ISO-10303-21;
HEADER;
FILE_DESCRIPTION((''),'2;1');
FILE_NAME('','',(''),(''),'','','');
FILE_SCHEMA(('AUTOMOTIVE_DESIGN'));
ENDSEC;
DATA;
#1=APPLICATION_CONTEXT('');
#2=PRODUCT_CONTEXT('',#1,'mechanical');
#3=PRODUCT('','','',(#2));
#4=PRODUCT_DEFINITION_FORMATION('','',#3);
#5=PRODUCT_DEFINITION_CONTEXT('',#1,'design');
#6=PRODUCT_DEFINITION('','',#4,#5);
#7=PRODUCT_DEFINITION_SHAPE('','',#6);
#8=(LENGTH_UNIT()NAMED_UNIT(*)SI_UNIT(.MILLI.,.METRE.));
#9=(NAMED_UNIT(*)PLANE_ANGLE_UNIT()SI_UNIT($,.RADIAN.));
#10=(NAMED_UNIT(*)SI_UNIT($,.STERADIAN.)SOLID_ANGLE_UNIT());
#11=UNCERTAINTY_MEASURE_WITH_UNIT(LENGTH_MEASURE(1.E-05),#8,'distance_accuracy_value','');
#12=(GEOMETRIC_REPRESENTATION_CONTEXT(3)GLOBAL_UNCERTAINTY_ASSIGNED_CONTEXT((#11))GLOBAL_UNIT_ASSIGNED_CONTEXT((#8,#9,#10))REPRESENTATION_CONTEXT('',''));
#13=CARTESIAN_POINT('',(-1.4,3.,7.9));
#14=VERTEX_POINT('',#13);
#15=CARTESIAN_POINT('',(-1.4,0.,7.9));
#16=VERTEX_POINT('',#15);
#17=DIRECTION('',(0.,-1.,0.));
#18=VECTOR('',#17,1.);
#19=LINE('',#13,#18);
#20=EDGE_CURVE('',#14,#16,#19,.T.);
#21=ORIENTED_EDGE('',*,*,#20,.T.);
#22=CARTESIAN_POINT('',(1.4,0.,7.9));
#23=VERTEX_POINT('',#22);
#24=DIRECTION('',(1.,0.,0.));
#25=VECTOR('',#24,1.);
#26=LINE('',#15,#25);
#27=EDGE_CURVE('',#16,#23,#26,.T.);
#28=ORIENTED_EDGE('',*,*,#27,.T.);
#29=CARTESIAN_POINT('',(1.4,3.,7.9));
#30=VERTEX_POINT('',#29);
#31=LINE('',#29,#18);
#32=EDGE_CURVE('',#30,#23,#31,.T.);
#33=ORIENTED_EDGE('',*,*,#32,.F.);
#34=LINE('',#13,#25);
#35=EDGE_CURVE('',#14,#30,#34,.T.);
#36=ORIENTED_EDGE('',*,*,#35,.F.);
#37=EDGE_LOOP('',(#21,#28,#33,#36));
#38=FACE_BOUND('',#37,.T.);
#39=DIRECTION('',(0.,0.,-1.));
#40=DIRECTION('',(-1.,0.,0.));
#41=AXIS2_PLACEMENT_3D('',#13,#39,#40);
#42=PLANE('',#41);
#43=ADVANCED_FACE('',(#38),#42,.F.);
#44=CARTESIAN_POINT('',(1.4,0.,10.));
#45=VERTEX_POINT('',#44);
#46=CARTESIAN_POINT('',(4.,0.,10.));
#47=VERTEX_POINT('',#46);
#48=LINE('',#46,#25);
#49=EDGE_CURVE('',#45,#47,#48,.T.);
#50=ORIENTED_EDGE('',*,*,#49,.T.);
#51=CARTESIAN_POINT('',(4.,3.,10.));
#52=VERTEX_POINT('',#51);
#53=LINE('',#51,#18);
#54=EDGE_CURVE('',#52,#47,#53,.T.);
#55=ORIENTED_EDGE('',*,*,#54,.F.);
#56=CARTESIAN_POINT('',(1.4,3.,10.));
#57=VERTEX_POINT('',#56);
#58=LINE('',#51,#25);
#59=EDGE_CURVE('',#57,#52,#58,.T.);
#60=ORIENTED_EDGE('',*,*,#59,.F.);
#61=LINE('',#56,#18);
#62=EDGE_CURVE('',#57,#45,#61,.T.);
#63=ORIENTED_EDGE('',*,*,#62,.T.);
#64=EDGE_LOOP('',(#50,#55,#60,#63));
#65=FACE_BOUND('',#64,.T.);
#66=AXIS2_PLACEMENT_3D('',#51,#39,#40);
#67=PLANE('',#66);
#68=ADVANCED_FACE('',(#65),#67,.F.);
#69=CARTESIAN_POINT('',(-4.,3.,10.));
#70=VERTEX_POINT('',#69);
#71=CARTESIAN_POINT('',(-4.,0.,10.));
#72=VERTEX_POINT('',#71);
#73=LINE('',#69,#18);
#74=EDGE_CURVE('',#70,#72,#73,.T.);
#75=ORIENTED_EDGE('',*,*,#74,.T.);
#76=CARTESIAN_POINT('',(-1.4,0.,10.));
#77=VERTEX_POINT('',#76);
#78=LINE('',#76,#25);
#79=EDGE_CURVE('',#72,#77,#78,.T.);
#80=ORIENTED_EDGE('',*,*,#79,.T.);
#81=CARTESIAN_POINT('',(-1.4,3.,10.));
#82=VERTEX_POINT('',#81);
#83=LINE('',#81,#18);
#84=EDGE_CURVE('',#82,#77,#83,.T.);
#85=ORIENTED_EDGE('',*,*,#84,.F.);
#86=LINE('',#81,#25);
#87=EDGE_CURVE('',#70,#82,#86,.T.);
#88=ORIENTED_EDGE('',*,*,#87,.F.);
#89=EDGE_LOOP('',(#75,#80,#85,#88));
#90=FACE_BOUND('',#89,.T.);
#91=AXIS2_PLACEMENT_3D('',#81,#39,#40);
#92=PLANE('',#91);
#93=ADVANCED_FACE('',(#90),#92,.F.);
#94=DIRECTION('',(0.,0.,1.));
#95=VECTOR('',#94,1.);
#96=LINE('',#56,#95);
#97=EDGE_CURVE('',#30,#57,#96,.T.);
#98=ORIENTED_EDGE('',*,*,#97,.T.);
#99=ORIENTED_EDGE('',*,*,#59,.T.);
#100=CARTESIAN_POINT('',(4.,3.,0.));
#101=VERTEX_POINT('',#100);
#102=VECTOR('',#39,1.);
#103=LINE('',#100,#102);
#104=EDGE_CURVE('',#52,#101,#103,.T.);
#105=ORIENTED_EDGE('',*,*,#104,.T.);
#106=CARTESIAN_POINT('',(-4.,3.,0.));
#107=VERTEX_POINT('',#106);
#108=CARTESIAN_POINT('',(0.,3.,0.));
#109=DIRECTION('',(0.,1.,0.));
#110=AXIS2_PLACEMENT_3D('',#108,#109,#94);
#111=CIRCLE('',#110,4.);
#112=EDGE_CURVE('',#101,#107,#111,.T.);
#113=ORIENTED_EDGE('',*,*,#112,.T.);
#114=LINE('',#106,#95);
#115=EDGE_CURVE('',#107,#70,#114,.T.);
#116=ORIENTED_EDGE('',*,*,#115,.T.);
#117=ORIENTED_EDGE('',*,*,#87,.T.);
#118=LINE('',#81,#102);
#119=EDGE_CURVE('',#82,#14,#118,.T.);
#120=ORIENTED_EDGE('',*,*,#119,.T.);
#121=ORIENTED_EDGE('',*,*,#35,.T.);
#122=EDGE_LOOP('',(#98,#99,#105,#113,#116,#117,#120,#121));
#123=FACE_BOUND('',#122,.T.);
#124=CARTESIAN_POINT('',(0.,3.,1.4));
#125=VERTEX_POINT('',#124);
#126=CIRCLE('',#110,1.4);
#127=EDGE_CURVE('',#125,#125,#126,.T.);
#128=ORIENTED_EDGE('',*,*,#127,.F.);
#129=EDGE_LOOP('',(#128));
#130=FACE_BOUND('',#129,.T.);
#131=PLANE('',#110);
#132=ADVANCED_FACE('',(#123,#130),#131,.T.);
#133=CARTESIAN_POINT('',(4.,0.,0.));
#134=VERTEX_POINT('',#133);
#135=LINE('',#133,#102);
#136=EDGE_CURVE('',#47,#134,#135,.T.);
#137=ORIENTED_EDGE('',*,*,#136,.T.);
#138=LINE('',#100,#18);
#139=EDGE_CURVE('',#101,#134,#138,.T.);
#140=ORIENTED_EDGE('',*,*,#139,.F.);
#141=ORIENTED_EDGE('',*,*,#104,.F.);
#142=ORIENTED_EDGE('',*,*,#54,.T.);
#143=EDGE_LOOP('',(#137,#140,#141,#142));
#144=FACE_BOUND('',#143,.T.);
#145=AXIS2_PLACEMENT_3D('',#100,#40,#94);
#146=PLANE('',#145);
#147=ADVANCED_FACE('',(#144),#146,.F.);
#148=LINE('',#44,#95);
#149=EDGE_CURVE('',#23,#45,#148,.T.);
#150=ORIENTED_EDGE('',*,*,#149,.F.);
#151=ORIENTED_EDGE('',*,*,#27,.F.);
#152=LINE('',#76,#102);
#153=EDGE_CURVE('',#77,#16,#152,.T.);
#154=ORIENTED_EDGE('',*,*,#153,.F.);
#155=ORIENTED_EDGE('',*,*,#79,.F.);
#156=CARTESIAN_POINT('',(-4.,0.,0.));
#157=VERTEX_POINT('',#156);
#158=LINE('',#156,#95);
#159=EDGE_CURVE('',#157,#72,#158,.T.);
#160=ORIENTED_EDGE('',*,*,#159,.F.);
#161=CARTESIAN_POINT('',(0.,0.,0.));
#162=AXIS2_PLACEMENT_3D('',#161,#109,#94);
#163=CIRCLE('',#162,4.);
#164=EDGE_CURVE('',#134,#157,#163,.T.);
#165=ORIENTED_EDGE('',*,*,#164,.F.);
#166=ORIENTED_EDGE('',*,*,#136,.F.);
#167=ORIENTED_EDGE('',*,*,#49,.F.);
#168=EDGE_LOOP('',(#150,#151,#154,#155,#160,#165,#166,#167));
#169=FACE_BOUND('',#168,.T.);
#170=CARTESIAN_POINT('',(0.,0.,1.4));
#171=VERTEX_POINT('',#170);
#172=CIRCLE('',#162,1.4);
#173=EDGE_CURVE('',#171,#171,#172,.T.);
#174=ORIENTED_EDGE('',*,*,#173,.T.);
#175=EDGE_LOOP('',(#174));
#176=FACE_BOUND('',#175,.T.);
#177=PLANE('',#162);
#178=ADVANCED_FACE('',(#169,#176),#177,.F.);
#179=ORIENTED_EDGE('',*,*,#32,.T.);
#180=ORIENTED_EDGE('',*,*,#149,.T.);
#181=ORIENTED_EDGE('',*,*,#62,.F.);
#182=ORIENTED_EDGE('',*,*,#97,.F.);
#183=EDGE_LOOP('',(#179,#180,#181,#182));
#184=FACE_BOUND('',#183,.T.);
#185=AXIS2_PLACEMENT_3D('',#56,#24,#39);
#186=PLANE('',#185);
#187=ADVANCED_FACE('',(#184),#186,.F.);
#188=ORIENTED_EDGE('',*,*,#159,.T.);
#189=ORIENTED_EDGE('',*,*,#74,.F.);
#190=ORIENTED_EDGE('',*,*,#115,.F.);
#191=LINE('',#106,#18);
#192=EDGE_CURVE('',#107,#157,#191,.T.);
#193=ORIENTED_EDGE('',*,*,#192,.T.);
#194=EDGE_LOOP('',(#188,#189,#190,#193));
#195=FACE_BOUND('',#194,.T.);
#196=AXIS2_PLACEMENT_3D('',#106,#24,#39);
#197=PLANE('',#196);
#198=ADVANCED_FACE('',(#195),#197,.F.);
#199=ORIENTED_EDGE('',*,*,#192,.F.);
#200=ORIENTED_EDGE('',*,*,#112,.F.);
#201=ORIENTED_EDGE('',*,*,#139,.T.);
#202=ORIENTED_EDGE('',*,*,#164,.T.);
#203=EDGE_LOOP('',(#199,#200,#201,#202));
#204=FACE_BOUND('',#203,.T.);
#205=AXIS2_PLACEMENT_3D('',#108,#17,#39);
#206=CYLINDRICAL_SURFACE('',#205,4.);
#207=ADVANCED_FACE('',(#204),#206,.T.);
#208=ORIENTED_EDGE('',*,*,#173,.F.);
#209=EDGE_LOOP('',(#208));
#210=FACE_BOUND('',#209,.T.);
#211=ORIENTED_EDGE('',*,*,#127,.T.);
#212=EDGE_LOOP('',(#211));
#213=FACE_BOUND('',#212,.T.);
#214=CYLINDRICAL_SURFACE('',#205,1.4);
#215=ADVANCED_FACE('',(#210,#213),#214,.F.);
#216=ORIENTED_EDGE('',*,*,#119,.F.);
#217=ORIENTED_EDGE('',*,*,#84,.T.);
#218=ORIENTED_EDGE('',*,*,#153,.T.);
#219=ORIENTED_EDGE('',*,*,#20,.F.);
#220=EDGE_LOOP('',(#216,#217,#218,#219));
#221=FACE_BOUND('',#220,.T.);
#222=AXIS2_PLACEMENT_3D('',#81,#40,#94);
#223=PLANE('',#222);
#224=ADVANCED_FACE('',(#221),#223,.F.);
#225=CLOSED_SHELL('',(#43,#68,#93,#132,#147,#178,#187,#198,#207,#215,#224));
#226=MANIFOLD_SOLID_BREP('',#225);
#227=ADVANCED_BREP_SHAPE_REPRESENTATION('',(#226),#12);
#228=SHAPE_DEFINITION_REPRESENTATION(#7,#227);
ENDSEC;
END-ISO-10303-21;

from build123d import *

# Parameters (mm, degrees)
SKETCH1_R           = 1.4
BOSS_EXTRUDE1_DEPTH = 3


with BuildPart() as part:
    # Sketch1 → Boss-Extrude1 (new body)
    with BuildSketch(Plane(origin=(0, 0, 0), x_dir=(1, 0, 0), z_dir=(0, 1, 0))):
        with BuildLine():
            Line((-4, 0), (-4, -10))
            Line((-4, -10), (-1.4, -10))
            Line((-1.4, -10), (-1.4, -7.9))
            Line((-1.4, -7.9), (1.4, -7.9))
            Line((1.4, -7.9), (1.4, -10))
            Line((1.4, -10), (4, -10))
            Line((4, -10), (4, 0))
            ThreePointArc((4, 0), (0, 4), (-4, 0))
        make_face()
        Circle(SKETCH1_R, mode=Mode.SUBTRACT)
    extrude(amount=BOSS_EXTRUDE1_DEPTH)


solid = part.part
